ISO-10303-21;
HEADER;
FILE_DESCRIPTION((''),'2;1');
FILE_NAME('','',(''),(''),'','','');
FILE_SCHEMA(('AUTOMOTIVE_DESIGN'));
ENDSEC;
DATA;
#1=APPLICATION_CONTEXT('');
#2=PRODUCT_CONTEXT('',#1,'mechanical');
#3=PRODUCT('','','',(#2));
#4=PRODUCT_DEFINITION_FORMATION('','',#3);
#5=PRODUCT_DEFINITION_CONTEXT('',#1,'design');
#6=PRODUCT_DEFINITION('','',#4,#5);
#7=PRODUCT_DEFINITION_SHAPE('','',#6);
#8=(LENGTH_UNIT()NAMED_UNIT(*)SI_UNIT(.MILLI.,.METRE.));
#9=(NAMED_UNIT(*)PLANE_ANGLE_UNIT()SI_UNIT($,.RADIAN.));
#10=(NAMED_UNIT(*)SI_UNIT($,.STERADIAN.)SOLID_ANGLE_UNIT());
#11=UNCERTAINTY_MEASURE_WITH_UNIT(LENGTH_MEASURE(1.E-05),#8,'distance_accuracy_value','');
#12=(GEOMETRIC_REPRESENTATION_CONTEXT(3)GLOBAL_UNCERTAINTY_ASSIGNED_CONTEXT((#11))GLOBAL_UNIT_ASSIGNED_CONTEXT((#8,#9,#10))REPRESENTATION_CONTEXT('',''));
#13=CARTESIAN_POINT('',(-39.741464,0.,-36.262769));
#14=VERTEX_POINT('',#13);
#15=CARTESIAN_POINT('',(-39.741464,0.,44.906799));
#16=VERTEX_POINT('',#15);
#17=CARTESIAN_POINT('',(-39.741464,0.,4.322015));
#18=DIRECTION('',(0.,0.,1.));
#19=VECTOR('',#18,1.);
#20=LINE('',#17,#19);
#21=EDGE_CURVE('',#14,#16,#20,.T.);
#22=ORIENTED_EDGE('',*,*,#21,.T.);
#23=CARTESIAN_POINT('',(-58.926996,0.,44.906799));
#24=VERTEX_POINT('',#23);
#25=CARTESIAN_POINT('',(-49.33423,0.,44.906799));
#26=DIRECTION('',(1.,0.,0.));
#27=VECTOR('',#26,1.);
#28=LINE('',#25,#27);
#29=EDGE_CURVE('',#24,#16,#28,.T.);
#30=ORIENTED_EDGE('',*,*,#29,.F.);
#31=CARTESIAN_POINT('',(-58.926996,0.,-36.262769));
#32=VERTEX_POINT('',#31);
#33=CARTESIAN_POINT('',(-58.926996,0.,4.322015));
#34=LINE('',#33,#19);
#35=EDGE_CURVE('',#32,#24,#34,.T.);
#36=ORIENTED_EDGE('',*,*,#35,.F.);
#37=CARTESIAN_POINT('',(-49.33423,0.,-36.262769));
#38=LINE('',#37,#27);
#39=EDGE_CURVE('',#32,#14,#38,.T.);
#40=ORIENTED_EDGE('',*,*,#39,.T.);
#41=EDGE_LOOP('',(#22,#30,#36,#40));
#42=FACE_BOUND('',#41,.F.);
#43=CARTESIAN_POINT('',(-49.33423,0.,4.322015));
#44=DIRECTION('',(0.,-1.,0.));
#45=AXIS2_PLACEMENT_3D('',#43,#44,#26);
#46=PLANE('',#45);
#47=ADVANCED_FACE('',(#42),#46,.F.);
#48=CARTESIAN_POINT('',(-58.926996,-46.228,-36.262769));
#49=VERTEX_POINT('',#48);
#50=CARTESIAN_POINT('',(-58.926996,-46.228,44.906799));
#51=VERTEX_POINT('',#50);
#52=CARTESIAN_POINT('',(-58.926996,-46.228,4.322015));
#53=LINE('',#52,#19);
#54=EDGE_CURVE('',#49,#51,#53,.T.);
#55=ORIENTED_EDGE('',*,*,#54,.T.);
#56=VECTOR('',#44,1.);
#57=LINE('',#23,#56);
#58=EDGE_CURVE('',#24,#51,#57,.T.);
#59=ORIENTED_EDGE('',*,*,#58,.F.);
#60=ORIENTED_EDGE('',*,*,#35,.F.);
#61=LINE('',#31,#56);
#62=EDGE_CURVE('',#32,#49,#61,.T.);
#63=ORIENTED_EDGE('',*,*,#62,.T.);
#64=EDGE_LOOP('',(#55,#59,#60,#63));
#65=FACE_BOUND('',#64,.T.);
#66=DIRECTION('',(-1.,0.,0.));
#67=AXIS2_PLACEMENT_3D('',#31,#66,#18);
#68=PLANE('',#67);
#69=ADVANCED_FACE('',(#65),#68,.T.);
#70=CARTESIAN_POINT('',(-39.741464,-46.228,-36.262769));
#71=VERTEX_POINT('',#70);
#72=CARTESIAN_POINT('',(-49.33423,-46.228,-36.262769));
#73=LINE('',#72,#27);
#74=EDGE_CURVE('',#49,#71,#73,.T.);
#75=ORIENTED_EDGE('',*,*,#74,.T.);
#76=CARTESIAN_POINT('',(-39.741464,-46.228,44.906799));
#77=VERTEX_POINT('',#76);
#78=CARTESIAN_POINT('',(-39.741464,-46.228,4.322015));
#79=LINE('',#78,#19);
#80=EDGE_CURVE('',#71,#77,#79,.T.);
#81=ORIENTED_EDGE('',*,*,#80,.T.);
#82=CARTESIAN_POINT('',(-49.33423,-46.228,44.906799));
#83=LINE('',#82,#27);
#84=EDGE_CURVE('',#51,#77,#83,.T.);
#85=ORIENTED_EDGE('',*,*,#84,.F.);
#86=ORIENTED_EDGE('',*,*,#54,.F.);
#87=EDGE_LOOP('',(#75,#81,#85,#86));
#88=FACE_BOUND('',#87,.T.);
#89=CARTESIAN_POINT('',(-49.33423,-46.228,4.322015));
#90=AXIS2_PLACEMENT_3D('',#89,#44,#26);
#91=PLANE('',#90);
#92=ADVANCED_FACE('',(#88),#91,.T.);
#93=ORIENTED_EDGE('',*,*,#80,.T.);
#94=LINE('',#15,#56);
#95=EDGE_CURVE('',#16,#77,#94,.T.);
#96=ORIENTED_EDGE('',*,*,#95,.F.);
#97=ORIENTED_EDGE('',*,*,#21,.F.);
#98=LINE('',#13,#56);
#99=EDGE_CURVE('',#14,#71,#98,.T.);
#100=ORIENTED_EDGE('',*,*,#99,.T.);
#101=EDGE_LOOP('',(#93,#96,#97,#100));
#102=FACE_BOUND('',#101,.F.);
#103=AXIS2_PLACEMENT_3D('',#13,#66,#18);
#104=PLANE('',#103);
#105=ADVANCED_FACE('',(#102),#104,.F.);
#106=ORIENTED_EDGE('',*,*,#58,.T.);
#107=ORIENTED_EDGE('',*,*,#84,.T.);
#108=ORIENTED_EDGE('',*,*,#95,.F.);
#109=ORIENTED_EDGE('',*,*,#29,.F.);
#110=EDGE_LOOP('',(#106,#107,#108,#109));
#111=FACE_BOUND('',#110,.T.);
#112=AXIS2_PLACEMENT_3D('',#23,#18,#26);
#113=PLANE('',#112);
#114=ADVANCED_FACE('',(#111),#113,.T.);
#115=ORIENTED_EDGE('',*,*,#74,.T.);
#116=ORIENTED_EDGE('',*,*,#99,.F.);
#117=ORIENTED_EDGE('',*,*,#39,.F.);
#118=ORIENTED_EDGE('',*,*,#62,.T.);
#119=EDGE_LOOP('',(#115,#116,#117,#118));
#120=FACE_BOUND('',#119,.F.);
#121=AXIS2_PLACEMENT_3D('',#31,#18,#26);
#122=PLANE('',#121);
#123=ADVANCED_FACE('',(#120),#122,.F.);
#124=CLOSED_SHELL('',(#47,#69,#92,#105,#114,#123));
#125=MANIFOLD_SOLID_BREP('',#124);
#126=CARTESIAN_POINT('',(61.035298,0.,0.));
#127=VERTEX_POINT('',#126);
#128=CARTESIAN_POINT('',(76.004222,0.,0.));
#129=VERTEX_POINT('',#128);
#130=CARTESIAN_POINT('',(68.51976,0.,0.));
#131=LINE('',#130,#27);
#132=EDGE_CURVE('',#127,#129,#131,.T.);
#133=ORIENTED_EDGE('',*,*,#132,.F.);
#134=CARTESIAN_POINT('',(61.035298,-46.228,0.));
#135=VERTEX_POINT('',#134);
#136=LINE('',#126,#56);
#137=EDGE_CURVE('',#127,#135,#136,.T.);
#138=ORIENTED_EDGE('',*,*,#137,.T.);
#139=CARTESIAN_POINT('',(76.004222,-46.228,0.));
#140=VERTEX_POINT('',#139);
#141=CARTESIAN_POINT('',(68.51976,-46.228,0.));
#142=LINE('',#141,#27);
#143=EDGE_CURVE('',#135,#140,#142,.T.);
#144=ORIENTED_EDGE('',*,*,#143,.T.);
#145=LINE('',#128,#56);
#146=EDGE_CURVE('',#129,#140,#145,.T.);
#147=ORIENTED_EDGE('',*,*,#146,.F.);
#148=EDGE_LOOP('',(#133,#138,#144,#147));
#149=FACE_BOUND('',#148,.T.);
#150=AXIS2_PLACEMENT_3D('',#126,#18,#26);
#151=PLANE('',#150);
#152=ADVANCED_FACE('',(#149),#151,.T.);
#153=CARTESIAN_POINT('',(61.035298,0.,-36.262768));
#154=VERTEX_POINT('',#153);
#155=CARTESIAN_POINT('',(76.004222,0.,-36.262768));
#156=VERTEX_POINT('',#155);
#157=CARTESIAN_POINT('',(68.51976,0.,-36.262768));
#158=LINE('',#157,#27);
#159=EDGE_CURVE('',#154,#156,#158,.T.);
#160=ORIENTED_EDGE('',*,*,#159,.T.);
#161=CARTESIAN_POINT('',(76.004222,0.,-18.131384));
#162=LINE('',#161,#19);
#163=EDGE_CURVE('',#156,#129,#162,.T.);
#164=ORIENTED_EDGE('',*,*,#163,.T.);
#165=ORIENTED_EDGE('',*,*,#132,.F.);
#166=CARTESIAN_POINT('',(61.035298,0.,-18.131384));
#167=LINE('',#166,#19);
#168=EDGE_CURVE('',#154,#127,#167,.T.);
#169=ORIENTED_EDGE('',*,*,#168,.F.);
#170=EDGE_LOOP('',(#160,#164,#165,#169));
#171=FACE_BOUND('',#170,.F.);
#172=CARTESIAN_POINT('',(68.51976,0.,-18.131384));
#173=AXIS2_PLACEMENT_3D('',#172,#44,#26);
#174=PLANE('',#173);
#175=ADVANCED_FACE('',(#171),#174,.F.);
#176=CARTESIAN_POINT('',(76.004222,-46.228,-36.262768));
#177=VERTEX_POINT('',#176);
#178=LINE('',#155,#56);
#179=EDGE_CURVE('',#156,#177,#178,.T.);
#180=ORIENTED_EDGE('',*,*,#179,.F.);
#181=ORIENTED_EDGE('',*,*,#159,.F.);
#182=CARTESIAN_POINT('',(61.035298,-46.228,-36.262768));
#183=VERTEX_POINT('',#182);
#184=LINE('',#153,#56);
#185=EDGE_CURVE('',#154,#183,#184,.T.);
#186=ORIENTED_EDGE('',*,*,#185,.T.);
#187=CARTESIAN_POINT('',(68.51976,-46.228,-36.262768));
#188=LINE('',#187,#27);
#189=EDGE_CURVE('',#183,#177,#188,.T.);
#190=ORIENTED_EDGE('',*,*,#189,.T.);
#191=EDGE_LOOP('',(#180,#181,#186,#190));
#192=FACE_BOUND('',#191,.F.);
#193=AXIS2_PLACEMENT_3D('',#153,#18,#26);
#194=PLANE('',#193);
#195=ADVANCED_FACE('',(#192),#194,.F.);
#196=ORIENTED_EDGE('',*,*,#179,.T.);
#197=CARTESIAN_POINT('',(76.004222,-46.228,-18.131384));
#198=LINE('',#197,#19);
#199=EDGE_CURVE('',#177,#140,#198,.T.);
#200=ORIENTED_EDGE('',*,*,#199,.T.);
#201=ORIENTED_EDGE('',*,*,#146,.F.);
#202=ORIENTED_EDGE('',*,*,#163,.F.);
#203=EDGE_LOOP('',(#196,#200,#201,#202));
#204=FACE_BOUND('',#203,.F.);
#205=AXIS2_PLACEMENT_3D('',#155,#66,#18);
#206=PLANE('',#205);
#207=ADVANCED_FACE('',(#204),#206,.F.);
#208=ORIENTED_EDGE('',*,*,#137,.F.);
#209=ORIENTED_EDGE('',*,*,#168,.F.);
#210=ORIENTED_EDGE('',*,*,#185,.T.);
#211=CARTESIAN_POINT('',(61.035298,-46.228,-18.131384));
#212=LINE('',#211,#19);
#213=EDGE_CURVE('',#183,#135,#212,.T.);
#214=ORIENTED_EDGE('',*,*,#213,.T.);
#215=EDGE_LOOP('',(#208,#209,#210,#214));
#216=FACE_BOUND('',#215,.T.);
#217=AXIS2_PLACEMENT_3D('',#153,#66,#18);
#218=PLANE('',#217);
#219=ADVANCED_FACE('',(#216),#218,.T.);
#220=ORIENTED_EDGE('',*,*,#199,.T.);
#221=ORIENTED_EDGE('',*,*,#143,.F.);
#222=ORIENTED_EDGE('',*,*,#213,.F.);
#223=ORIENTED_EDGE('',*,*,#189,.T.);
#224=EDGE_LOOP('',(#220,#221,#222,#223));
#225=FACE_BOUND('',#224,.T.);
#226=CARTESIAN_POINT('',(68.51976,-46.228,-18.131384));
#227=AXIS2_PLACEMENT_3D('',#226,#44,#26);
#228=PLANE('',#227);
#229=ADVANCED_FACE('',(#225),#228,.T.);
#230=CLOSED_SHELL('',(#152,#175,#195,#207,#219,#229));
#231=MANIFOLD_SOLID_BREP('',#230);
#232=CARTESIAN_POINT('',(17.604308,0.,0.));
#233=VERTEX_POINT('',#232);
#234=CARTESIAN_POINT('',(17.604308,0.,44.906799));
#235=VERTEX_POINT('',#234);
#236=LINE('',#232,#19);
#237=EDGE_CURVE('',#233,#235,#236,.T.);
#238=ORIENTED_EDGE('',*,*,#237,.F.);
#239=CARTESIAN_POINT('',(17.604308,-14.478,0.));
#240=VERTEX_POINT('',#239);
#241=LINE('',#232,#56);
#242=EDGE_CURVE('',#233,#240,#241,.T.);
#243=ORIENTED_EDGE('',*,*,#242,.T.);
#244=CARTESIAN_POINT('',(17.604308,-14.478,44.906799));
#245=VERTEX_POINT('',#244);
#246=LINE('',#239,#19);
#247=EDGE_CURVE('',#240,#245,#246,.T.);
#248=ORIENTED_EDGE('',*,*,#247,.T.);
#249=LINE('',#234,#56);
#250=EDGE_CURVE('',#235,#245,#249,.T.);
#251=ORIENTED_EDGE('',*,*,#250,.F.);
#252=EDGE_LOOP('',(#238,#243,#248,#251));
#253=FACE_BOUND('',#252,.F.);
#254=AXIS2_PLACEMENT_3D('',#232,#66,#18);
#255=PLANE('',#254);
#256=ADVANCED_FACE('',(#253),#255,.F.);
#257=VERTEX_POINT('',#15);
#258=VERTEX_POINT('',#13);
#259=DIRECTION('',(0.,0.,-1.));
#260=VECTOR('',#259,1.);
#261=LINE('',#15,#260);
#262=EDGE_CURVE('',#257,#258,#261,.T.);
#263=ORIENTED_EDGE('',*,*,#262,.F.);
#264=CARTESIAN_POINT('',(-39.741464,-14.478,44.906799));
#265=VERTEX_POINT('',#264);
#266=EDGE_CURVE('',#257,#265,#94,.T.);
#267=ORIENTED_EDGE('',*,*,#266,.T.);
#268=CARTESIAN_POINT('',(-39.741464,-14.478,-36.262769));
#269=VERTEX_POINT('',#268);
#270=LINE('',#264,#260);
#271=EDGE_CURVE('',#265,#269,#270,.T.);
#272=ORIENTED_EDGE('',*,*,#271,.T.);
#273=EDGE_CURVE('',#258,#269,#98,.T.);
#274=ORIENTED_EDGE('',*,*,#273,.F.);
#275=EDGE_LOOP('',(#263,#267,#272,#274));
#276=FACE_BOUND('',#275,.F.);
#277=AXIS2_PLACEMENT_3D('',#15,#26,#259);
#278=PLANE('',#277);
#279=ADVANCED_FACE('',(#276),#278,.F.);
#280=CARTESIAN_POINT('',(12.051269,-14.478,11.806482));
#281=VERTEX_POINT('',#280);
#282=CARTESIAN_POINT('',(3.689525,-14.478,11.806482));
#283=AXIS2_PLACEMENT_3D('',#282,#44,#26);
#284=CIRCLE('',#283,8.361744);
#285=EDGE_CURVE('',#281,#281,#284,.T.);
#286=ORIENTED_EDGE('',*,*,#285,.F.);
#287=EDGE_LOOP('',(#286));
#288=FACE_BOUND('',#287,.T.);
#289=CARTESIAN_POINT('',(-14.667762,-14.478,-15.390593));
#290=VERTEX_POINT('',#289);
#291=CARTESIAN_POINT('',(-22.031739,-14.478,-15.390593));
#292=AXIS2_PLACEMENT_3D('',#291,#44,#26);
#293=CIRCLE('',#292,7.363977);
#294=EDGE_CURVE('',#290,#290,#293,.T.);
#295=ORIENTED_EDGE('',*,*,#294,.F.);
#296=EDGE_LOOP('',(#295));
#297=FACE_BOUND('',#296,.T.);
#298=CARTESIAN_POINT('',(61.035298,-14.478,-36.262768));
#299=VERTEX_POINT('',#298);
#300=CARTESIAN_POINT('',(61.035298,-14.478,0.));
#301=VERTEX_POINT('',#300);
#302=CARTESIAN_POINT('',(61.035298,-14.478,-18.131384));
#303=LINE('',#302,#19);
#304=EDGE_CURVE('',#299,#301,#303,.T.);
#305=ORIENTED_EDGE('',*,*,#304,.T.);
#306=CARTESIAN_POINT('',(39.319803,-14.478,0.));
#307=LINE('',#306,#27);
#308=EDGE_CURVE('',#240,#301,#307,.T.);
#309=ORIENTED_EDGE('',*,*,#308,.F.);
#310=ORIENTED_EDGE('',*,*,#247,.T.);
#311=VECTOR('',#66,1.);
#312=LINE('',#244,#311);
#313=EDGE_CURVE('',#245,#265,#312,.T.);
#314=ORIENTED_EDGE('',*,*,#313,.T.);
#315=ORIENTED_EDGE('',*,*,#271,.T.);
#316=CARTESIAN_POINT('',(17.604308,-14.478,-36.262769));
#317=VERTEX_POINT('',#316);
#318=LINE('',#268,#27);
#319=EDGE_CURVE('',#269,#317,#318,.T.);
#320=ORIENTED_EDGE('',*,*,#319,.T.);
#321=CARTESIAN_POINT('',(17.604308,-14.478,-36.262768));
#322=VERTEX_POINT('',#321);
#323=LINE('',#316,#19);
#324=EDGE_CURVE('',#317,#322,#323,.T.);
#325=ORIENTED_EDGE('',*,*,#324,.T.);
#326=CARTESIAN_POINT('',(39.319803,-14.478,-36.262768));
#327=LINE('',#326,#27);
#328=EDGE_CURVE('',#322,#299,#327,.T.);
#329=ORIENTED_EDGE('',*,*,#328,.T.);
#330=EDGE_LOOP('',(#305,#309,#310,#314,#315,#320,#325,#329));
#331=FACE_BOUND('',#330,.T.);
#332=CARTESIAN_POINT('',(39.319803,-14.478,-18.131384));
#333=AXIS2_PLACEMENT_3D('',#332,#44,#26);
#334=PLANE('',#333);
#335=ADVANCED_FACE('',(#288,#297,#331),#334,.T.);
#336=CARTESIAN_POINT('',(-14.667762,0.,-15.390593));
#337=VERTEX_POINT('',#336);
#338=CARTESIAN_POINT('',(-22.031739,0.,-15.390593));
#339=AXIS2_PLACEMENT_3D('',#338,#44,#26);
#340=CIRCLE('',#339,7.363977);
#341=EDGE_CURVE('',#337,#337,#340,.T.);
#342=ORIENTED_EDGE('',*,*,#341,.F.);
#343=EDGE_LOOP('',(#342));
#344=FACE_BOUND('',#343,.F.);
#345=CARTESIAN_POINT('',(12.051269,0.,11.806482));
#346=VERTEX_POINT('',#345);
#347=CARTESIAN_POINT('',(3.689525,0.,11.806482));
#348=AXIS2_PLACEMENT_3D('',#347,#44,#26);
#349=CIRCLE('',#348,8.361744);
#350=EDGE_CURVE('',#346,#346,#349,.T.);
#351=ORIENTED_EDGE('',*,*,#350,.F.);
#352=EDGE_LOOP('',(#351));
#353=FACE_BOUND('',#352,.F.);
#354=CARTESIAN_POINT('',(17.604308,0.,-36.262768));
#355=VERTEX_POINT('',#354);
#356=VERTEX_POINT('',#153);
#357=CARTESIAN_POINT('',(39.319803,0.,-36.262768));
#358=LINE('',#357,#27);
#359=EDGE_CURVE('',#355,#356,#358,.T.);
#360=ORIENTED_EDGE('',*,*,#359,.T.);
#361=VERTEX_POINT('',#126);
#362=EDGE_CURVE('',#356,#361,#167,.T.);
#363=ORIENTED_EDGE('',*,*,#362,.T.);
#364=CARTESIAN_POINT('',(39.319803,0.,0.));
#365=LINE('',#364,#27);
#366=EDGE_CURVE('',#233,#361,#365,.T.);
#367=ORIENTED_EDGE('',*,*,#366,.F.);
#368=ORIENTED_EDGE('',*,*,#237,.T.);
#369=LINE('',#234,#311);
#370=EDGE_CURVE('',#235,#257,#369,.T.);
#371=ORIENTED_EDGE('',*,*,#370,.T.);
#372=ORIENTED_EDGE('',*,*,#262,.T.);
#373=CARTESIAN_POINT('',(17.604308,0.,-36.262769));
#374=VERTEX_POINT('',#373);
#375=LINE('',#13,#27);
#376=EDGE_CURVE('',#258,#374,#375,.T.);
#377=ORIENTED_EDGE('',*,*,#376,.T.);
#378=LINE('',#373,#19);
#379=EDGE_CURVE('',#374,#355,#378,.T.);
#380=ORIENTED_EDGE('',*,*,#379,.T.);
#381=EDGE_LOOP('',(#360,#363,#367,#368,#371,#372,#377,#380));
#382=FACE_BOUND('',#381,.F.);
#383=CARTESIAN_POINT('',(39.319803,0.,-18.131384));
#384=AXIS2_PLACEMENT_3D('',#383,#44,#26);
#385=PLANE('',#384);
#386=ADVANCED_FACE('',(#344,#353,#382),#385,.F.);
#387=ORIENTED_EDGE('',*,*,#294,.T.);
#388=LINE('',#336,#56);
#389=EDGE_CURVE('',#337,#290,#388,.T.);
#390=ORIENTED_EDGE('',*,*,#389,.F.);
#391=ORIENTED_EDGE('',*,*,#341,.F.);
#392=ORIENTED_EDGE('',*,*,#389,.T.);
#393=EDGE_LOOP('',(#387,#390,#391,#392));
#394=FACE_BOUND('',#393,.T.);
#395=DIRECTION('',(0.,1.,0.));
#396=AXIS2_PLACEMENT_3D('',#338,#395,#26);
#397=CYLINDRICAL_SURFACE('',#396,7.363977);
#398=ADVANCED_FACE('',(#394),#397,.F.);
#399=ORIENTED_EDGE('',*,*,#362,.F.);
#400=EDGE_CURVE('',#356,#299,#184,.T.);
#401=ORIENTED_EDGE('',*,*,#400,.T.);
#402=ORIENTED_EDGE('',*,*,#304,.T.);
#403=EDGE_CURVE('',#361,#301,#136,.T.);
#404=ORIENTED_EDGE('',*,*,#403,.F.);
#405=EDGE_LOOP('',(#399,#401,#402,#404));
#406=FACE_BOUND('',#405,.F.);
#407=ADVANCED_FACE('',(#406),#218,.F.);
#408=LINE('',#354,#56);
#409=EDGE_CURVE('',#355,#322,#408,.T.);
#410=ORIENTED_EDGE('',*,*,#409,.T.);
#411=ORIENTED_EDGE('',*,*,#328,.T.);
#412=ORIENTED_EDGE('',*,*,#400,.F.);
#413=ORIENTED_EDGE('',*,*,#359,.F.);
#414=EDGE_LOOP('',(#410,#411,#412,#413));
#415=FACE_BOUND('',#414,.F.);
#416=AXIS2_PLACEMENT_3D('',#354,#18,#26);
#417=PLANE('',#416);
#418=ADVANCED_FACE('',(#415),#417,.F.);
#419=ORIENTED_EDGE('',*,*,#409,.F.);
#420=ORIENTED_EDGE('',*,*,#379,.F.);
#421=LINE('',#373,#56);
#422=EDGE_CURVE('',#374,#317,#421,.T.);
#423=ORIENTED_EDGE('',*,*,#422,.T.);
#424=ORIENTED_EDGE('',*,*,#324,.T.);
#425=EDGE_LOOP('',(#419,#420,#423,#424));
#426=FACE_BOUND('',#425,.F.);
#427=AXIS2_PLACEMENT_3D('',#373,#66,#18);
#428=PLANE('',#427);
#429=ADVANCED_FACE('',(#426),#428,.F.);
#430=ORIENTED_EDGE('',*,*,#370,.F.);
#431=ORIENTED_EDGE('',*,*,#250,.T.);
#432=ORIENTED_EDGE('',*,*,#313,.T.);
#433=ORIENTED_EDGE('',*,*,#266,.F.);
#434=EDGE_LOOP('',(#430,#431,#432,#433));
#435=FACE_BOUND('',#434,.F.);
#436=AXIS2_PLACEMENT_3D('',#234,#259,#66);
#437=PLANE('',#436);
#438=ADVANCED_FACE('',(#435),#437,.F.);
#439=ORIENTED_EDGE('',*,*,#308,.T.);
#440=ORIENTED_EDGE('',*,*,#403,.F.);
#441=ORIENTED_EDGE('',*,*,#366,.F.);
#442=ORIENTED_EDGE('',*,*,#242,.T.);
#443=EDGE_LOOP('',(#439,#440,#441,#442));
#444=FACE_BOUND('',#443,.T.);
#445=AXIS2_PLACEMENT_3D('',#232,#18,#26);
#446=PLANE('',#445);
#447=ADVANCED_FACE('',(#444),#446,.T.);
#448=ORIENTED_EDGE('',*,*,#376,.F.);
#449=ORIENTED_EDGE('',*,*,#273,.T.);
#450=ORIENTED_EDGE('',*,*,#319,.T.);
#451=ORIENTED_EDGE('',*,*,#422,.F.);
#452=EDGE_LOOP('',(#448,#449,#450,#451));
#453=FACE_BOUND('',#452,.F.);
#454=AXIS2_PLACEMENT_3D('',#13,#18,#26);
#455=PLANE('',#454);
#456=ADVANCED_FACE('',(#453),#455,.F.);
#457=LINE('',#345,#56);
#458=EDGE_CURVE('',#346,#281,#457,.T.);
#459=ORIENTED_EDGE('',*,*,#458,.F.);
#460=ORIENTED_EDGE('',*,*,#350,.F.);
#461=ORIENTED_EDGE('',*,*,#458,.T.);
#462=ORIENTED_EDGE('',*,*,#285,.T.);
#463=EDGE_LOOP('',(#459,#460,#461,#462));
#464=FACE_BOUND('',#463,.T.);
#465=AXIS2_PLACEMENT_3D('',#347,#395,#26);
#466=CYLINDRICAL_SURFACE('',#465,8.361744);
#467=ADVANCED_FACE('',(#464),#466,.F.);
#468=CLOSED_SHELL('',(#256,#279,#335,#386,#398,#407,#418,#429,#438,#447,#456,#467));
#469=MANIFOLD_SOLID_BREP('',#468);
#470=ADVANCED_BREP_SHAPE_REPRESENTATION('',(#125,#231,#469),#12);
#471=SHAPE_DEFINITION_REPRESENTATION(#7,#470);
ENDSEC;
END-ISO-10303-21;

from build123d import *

# Parameters (mm, degrees)
F0_W     = 19.185532
F0_H     = 81.169568
F0_W_2   = 14.968924
F0_H_2   = 36.262769
F1_DEPTH = 46.228
F0_W_3   = 43.43099
F0_R     = 7.363977
F0_R_2   = 8.361744
F2_DEPTH = 14.478


with BuildPart() as f1:
    # F0 (on Front) → F1 (new body)
    with BuildSketch(Plane.XZ):
        with Locations((-49.33423, 4.322015)):
            Rectangle(F0_W, F0_H)
        with Locations((68.51976, -18.131384)):
            Rectangle(F0_W_2, F0_H_2)
    extrude(amount=F1_DEPTH)


with BuildPart() as f2:
    # F0 (on Front) → F2 (new body)
    with BuildSketch(Plane.XZ):
        with Locations((39.319803, -18.131384)):
            Rectangle(F0_W_3, F0_H_2)
        Polygon((17.604308, 44.906799), (-39.741464, 44.906799), (-39.741464, -36.262769), (17.604308, -36.262769), (17.604308, 0), align=None)
        with Locations((-22.031739, -15.390593)):
            Circle(F0_R, mode=Mode.SUBTRACT)
        with Locations((3.689525, 11.806482)):
            Circle(F0_R_2, mode=Mode.SUBTRACT)
    extrude(amount=F2_DEPTH)


solid = Compound([f1.part, f2.part])
